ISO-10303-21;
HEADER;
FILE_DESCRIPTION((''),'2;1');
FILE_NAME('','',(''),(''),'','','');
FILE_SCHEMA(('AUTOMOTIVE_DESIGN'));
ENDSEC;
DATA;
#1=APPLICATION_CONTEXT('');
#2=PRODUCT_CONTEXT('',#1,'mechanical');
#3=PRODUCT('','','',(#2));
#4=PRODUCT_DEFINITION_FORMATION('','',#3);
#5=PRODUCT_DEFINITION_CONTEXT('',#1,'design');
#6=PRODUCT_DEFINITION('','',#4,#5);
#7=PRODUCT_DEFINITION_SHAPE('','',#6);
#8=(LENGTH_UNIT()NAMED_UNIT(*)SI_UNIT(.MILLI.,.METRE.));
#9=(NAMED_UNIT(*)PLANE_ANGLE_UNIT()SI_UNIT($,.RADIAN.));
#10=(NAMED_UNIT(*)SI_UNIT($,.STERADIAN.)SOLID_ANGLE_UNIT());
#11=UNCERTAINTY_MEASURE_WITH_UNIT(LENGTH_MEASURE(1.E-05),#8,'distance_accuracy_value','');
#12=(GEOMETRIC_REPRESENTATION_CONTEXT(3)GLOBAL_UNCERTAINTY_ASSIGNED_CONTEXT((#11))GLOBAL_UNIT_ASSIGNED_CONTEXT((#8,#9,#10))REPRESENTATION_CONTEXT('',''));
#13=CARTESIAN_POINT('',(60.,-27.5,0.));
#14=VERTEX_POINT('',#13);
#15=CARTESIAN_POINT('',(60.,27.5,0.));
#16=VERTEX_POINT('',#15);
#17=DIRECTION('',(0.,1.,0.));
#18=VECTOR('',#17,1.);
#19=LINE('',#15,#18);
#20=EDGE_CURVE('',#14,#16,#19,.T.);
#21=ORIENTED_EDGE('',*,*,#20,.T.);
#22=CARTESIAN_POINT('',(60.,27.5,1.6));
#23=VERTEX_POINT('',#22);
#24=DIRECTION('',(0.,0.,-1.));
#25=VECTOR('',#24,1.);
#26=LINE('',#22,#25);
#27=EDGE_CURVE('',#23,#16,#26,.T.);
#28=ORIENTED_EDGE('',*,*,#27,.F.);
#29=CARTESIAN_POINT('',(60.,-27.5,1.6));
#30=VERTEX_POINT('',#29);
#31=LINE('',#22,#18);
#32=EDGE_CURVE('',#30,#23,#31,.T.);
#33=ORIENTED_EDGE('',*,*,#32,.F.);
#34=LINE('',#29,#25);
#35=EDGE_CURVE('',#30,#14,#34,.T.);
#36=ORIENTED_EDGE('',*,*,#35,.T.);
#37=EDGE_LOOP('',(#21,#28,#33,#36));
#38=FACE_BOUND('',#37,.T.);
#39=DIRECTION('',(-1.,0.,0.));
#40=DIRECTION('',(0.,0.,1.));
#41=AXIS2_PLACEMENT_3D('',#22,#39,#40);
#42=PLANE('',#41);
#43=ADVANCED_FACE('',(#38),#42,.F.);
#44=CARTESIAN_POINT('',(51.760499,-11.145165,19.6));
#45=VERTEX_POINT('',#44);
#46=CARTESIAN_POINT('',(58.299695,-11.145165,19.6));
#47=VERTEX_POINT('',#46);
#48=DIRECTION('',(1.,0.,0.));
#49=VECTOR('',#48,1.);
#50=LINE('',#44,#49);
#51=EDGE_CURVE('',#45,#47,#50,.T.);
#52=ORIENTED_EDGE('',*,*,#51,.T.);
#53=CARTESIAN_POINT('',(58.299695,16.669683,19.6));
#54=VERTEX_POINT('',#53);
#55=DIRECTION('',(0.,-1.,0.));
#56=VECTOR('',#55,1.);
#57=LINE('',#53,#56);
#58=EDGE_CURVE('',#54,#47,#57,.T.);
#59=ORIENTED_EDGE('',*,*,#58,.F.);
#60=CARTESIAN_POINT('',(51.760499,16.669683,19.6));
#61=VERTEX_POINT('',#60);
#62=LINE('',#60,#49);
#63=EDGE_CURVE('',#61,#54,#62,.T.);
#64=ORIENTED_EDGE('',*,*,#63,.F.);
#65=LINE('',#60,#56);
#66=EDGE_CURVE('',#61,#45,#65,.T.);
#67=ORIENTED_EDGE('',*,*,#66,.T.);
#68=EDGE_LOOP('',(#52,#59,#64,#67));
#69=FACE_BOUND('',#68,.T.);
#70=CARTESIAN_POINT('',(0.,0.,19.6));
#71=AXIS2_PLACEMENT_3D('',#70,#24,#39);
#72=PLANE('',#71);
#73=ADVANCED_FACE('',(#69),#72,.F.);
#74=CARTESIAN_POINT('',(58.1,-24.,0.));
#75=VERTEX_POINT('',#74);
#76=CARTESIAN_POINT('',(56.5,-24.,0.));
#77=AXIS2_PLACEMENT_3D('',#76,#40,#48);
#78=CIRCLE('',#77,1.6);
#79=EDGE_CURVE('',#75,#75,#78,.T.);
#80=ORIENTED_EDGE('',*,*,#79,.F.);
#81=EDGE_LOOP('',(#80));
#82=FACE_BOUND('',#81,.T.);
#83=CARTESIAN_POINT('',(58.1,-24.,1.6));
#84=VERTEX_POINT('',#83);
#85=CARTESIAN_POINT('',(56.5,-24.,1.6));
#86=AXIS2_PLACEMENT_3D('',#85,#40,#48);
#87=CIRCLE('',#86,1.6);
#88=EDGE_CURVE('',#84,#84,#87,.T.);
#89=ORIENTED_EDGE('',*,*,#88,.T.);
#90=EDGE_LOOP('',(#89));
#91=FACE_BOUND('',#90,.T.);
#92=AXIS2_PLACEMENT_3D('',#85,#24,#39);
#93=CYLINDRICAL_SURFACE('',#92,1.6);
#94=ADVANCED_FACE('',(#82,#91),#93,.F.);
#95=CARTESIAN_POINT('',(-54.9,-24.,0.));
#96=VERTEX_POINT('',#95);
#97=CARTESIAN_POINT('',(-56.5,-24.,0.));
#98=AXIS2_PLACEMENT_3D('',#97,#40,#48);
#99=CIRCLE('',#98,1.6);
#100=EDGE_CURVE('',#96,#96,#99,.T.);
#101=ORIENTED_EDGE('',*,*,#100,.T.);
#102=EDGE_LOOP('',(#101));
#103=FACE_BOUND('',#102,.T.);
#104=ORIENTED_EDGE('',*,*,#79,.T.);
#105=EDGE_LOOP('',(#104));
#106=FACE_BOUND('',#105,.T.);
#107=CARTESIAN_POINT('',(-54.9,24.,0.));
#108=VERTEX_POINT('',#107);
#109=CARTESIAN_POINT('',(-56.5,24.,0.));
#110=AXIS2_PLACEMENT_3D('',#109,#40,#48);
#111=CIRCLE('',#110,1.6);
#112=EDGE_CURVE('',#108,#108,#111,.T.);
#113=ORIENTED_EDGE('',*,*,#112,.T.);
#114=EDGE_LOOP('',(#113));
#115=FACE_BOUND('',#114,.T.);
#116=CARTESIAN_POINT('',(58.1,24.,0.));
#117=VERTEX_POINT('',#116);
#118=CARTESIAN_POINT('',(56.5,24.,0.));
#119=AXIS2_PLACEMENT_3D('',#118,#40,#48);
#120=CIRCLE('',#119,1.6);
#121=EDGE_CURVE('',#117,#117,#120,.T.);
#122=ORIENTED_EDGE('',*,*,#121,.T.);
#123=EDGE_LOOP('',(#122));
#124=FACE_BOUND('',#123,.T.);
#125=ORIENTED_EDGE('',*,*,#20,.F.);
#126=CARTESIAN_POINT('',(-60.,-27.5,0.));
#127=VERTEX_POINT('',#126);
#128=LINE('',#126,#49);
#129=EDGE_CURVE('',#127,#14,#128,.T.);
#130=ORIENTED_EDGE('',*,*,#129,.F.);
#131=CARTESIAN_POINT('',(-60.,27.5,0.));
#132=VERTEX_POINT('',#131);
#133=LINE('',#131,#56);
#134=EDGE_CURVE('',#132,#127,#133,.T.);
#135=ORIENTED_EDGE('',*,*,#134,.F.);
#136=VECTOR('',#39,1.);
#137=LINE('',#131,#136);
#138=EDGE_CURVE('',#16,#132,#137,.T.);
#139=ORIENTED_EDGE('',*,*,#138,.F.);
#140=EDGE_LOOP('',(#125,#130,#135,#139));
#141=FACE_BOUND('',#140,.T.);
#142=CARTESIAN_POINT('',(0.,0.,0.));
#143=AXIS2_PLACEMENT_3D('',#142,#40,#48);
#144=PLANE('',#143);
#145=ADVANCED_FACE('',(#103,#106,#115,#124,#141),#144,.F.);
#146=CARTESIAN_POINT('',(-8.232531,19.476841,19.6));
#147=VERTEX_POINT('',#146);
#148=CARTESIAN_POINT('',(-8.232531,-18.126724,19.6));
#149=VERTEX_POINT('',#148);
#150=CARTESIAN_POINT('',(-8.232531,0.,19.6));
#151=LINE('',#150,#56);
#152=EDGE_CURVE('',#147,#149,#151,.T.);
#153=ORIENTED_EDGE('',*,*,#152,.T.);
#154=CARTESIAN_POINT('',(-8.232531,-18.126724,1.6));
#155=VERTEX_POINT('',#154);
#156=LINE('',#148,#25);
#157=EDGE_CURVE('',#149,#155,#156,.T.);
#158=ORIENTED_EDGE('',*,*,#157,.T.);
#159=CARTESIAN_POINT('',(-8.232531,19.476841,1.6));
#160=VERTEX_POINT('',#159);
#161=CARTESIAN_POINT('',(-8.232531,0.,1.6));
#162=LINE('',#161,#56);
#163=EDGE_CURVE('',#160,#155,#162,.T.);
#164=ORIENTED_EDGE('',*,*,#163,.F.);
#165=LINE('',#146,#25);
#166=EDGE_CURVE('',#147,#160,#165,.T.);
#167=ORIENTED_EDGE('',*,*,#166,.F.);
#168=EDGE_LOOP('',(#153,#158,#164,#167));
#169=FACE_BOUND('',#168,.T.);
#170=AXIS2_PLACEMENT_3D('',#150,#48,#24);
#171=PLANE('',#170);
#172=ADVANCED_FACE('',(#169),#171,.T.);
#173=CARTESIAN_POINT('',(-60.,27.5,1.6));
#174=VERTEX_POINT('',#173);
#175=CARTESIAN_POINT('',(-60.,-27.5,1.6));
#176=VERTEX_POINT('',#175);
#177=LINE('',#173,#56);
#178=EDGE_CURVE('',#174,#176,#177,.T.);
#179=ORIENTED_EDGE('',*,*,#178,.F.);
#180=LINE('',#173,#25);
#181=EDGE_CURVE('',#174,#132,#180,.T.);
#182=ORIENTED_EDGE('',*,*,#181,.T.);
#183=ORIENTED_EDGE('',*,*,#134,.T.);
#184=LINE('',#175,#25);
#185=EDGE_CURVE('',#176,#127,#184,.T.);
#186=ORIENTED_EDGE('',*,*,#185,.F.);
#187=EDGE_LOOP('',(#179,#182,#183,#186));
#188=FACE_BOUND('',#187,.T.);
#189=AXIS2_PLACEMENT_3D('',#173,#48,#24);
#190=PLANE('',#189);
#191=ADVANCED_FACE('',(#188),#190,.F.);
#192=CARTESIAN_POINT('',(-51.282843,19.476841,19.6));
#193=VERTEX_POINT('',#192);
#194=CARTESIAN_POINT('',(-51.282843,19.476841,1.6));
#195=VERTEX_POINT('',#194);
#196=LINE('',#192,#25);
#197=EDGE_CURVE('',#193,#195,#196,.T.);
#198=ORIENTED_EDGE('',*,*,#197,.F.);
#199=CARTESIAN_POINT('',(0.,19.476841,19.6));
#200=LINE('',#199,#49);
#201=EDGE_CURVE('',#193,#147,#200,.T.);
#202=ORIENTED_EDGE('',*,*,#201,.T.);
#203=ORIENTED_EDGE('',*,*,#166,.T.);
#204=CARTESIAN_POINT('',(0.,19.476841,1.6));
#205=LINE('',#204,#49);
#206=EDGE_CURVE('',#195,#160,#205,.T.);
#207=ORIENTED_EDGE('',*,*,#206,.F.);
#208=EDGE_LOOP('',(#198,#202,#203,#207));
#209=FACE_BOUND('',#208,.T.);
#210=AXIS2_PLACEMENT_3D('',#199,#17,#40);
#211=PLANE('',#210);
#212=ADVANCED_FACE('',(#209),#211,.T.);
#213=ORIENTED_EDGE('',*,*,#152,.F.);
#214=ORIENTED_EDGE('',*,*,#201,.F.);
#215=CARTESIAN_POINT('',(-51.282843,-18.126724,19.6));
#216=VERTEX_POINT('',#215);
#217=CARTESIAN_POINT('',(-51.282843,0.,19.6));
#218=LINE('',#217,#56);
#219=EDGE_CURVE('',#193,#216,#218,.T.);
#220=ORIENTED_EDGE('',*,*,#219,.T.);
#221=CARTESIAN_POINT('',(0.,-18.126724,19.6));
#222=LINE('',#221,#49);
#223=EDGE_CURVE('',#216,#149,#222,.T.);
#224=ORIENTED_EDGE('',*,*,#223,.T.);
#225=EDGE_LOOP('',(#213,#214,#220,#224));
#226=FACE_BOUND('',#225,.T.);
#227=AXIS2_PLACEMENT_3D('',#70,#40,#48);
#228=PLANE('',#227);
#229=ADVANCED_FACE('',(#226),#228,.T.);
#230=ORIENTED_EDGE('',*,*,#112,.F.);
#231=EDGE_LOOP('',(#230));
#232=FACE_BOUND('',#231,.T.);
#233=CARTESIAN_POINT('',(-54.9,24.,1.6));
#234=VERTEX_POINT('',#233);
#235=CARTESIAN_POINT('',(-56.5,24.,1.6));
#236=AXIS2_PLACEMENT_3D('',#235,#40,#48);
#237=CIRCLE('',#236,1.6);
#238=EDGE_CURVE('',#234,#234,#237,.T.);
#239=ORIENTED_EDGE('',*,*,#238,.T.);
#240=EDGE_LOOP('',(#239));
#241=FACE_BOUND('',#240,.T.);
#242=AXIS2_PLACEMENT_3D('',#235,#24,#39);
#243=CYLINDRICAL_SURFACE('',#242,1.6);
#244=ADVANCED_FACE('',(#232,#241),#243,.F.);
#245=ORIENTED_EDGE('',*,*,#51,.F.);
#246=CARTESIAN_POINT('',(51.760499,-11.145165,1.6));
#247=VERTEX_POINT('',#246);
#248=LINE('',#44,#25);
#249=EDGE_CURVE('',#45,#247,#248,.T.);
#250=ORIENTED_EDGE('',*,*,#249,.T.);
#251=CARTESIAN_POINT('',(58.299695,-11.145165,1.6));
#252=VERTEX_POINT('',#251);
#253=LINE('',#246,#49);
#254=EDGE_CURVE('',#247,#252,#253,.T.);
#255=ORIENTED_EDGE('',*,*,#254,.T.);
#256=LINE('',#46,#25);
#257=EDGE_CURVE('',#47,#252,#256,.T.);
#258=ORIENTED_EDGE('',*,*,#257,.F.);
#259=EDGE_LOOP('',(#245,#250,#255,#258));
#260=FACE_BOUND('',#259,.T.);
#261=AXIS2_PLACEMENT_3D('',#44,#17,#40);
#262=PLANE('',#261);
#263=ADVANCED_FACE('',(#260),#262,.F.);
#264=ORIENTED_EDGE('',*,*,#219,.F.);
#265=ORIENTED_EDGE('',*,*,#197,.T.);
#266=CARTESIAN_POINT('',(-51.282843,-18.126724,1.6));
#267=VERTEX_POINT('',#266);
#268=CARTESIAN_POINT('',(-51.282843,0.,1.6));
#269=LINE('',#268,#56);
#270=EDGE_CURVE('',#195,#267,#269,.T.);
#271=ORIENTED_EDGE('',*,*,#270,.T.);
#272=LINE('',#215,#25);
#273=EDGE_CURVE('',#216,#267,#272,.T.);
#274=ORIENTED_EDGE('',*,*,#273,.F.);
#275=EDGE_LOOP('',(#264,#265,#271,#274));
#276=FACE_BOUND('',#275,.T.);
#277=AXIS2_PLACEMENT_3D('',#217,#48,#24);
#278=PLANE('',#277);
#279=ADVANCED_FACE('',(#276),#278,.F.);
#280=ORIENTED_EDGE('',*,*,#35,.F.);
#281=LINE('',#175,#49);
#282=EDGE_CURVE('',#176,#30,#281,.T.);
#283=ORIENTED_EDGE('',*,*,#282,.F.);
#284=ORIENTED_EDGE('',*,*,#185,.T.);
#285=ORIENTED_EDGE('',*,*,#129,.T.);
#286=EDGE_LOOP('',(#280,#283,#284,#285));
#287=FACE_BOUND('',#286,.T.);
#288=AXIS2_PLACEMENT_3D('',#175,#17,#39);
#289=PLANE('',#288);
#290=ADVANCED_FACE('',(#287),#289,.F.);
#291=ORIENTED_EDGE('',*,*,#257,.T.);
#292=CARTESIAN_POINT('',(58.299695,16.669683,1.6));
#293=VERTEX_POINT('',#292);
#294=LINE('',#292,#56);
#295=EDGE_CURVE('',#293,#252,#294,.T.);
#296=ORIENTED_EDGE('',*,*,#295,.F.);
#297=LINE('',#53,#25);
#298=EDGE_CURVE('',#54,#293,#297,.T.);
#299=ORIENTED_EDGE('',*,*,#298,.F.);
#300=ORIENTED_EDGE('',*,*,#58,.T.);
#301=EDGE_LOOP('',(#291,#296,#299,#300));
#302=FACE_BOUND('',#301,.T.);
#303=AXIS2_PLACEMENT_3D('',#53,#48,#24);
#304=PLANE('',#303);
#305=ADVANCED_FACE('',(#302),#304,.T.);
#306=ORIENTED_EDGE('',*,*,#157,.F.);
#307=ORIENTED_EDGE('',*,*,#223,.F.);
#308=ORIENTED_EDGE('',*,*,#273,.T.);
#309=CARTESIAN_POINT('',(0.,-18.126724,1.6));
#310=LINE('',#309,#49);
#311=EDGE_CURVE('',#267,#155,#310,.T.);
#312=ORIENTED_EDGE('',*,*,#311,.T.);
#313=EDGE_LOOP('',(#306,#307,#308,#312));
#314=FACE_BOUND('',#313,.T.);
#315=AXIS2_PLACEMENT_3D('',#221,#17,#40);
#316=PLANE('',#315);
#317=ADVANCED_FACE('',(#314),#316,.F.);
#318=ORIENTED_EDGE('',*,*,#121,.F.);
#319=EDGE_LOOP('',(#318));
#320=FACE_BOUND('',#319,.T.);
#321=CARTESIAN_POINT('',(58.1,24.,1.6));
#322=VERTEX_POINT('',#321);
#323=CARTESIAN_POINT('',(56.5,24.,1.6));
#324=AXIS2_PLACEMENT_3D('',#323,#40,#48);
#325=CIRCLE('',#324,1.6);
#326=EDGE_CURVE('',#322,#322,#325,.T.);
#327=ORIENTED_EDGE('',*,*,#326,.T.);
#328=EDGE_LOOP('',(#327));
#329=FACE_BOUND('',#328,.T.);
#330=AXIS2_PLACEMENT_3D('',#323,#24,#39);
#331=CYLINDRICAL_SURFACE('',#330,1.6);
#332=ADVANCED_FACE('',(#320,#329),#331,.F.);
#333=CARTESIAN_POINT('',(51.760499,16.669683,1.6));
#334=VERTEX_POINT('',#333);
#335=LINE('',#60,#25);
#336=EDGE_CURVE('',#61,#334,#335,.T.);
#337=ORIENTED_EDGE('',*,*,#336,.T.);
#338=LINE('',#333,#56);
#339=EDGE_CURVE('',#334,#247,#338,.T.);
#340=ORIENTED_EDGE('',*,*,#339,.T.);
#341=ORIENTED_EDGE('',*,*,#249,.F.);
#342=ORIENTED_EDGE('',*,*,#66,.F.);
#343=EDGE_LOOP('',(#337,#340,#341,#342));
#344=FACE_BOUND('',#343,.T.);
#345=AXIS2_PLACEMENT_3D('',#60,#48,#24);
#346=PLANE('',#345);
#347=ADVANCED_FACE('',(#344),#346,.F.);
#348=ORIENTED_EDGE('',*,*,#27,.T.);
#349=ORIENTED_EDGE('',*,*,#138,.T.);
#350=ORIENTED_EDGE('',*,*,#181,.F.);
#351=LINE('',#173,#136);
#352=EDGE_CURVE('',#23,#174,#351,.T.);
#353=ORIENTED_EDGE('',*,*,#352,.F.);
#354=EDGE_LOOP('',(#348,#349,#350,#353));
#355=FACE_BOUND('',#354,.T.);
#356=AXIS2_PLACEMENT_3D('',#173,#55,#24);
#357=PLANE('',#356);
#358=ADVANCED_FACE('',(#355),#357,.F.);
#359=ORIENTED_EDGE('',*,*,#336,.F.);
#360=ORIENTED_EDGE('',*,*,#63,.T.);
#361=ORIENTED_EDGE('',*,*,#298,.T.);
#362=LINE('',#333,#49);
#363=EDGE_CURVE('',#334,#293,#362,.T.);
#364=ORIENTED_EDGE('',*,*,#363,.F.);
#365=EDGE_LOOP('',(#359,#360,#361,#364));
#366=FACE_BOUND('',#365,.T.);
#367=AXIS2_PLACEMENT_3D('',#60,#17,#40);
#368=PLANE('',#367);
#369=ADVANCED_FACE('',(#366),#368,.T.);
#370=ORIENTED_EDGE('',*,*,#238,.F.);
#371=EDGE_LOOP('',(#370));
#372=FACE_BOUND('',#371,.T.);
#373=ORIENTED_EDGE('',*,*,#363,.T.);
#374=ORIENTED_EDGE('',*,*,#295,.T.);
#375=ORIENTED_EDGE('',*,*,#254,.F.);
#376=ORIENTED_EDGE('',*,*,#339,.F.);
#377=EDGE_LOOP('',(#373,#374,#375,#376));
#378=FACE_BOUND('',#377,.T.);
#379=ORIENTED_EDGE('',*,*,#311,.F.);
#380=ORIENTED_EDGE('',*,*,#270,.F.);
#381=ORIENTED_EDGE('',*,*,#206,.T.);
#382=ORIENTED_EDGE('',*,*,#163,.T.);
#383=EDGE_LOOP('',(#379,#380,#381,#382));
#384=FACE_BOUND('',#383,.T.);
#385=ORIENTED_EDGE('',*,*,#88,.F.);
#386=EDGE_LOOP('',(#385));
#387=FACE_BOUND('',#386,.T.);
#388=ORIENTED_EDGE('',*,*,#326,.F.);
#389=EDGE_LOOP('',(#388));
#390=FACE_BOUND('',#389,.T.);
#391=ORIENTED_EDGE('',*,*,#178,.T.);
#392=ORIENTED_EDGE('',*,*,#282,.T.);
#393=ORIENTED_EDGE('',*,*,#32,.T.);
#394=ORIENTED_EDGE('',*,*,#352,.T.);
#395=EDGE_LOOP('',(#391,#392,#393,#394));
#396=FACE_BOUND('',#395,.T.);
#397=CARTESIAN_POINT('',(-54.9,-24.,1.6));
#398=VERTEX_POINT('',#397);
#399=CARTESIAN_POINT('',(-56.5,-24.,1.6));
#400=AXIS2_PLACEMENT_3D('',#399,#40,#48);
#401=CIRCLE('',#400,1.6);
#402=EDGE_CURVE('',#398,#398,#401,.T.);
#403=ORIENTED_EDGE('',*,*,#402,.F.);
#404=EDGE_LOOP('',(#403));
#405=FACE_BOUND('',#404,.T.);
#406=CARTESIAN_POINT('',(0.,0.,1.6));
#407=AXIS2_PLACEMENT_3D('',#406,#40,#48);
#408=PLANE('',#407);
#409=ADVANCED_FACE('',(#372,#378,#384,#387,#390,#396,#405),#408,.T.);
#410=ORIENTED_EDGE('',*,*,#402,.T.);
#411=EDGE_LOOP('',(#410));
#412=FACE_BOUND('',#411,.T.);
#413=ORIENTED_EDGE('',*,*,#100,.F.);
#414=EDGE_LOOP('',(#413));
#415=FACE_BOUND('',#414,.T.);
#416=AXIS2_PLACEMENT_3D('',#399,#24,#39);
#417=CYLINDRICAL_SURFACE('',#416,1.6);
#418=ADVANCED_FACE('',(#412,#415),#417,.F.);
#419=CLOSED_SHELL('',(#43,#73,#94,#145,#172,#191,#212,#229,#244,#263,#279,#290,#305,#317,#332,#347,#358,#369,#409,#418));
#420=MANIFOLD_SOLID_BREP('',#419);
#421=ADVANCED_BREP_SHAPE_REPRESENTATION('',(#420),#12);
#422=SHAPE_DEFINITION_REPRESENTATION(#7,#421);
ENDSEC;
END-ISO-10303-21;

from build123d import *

# Parameters (mm, degrees)
ESQUISSE1_W        = 120
ESQUISSE1_H        = 55
ESQUISSE1_R        = 1.6
BOSS_EXTRU_1_DEPTH = 1.6
ESQUISSE2_W        = 43.050312428
ESQUISSE2_H        = 37.603564561
ESQUISSE2_W_2      = 6.539195339
ESQUISSE2_H_2      = 27.81484763
BOSS_EXTRU_2_DEPTH = 18


with BuildPart() as part:
    # Esquisse1 → Boss.-Extru.1 (new body)
    with BuildSketch(Plane.XY):
        Rectangle(ESQUISSE1_W, ESQUISSE1_H)
        with Locations((-56.5, 24)):
            Circle(ESQUISSE1_R, mode=Mode.SUBTRACT)
        with Locations((56.5, 24)):
            Circle(ESQUISSE1_R, mode=Mode.SUBTRACT)
        with Locations((56.5, -24)):
            Circle(ESQUISSE1_R, mode=Mode.SUBTRACT)
        with Locations((-56.5, -24)):
            Circle(ESQUISSE1_R, mode=Mode.SUBTRACT)
    extrude(amount=BOSS_EXTRU_1_DEPTH)

    # Esquisse2 → Boss.-Extru.2 (add)
    with BuildSketch(Plane.XY.offset(1.6)):
        with Locations((-29.757687253, 0.675058423)):
            Rectangle(ESQUISSE2_W, ESQUISSE2_H)
        with Locations((55.030096994, 2.76225902)):
            Rectangle(ESQUISSE2_W_2, ESQUISSE2_H_2)
    extrude(amount=BOSS_EXTRU_2_DEPTH)


solid = part.part
